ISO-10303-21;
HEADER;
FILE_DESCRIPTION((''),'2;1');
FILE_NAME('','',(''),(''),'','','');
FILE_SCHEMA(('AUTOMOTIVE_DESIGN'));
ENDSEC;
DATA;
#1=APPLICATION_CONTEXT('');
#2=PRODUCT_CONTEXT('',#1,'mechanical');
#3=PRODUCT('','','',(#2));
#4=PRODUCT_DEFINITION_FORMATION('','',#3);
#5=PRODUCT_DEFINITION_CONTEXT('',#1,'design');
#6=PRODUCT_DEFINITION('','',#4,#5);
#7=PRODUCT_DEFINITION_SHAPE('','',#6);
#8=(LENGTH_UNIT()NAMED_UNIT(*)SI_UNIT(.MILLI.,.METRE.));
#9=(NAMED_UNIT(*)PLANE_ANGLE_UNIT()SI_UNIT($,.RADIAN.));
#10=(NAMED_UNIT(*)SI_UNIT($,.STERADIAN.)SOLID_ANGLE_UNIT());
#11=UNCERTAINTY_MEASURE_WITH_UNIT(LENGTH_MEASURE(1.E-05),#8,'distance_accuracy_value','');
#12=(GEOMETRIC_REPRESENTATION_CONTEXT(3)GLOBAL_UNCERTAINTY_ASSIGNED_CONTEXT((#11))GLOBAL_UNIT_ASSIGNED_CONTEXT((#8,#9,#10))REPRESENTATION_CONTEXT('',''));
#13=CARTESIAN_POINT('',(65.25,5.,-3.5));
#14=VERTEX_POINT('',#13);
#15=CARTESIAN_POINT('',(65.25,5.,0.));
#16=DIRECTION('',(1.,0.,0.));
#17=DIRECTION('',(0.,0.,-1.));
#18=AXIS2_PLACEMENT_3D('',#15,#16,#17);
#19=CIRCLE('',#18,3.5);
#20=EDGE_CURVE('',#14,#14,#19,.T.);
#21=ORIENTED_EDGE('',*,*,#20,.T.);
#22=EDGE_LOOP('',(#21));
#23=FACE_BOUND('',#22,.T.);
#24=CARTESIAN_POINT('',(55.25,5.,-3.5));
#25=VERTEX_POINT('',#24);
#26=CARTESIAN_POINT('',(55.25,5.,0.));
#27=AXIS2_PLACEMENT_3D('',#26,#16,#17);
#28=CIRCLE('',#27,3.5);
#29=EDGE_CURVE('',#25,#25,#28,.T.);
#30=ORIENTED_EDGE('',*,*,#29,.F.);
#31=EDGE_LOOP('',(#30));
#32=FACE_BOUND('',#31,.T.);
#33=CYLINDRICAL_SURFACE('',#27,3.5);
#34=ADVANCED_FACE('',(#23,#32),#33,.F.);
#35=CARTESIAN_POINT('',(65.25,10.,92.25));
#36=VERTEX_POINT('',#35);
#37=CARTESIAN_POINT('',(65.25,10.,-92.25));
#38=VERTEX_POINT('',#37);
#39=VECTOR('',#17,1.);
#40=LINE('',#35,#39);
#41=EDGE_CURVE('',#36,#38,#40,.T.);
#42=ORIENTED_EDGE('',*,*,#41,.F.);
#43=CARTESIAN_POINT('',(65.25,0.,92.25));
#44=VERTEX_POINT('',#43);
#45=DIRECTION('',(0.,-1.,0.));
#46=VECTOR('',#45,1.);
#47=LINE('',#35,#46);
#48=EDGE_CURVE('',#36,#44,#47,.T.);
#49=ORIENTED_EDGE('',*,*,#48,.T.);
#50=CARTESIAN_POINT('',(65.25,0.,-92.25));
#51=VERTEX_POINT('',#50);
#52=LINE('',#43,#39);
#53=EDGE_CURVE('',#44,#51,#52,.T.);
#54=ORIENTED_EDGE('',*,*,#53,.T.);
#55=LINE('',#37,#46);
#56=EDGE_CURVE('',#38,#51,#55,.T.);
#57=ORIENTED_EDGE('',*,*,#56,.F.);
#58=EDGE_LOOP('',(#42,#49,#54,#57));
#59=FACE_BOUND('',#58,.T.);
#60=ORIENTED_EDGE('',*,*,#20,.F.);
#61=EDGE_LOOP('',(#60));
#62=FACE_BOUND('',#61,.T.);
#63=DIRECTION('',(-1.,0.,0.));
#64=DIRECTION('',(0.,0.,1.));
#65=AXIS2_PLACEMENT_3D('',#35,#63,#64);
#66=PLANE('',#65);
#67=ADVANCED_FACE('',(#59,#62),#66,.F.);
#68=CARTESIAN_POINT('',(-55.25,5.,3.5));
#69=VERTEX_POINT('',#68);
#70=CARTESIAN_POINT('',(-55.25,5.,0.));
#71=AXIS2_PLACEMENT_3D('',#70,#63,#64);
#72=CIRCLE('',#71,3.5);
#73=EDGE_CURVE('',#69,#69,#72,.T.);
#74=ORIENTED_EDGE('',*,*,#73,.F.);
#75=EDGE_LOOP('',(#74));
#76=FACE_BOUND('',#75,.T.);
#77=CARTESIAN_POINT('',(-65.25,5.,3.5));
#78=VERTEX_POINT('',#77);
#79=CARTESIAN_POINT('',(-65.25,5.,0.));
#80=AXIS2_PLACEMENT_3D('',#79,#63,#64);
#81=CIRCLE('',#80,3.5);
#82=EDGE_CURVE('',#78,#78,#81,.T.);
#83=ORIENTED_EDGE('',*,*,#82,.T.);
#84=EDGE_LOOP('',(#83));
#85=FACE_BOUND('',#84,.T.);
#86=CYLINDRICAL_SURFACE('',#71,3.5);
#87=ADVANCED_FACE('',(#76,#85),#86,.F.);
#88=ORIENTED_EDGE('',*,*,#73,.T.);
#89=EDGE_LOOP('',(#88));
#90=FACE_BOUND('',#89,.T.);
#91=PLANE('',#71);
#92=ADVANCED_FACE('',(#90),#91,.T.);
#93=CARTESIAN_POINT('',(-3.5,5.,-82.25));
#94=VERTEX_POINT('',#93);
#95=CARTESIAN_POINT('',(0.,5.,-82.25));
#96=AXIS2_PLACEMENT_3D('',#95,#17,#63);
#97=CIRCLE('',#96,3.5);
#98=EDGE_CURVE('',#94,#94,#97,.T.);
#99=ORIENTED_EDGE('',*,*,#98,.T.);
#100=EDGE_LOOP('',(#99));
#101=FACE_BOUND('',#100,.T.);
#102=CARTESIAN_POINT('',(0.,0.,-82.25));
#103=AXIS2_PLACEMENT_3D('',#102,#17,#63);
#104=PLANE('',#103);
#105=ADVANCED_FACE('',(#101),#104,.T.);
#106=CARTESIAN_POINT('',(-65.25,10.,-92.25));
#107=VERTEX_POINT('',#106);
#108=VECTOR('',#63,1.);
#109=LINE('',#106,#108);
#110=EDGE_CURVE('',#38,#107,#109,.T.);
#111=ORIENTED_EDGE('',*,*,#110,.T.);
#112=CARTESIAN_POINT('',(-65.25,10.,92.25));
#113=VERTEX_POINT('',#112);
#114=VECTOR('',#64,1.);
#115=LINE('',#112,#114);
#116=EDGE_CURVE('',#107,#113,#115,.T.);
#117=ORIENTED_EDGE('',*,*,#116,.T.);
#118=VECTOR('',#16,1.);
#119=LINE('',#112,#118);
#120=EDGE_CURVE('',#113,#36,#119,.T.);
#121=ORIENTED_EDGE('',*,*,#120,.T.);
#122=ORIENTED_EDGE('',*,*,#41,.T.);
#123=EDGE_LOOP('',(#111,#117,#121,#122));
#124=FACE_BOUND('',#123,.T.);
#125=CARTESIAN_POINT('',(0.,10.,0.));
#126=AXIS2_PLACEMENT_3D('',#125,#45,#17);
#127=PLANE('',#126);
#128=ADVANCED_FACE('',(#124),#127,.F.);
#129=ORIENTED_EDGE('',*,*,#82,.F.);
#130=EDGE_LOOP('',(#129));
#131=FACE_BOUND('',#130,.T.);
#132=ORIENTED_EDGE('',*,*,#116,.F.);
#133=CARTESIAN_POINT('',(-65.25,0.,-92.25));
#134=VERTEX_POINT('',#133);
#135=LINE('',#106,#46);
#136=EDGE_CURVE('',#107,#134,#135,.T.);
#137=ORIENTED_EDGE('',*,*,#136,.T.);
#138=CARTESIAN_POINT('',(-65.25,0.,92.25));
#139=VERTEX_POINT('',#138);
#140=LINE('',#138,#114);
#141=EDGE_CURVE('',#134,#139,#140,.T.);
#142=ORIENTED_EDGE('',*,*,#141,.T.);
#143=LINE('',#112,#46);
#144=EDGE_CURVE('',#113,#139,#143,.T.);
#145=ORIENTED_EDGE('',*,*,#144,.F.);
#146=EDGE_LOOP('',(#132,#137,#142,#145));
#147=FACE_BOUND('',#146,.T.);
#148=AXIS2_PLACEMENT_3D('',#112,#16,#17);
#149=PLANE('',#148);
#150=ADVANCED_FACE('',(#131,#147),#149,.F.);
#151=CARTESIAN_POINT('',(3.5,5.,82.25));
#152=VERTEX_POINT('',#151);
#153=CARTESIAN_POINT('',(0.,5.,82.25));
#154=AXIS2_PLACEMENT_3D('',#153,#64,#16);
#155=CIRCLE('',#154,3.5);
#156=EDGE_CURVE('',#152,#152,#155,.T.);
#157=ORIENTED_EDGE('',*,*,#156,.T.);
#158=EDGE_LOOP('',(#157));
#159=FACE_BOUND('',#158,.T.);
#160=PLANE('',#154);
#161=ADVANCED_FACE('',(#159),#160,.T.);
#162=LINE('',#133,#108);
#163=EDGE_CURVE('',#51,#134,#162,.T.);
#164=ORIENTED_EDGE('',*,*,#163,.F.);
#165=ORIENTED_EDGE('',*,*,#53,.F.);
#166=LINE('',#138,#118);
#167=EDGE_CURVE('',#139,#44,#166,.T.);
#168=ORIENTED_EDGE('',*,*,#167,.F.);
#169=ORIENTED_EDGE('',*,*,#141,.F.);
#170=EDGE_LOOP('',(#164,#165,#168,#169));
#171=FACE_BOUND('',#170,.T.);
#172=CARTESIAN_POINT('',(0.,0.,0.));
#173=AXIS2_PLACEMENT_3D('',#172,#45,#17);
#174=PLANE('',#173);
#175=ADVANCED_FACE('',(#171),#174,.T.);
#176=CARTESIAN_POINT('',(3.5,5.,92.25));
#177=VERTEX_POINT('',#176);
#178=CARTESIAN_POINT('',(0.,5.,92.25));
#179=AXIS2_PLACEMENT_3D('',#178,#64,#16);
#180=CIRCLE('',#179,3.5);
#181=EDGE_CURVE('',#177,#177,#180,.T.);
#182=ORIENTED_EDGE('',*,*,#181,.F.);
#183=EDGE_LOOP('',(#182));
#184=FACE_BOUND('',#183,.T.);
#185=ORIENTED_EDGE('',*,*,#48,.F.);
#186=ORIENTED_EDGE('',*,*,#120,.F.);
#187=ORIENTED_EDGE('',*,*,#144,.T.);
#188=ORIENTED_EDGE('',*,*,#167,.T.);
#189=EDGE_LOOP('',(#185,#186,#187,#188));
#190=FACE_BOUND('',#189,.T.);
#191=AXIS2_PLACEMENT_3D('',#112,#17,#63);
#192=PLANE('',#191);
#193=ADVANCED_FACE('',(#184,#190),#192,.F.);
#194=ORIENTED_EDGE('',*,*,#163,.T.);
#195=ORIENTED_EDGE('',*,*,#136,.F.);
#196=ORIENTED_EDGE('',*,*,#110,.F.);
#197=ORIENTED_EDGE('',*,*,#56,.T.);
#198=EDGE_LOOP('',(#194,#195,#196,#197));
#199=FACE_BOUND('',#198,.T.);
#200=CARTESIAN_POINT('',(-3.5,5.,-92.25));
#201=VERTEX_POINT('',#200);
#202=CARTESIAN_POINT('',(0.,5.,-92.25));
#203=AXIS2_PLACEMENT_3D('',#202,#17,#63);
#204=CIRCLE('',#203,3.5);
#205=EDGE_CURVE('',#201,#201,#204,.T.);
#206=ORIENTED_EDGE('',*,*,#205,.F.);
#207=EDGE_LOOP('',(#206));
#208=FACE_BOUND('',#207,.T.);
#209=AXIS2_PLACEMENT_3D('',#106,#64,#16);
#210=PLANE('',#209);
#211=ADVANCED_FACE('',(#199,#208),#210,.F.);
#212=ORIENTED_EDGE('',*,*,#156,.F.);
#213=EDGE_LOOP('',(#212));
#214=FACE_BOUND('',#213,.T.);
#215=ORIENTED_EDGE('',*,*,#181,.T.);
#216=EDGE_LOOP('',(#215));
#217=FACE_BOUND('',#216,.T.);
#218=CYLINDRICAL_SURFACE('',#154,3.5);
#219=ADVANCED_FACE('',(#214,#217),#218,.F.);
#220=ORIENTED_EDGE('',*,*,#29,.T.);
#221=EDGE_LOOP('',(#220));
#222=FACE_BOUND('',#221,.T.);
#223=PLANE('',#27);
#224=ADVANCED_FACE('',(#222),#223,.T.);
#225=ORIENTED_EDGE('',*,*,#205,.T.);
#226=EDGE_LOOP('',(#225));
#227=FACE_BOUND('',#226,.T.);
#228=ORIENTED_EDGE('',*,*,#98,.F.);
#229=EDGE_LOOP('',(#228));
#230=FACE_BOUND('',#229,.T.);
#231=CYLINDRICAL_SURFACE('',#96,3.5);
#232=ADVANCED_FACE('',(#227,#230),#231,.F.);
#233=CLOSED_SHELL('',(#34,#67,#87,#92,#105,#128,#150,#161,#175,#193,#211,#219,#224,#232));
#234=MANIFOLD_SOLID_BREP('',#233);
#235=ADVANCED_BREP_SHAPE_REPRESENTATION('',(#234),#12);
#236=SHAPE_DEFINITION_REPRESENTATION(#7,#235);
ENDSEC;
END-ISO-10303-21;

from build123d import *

# Parameters (mm, degrees)
SKETCH_1_W          = 130.5
SKETCH_1_H          = 184.5
EXTRUDE_1_DEPTH     = 10
SKETCH_2_R          = 3.5
CUT_EXTRUDE_1_DEPTH = 10
SKETCH_3_R          = 3.5
CUT_EXTRUDE_2_DEPTH = 10
CUT_EXTRUDE_3_DEPTH = 10
SKETCH_5_R          = 3.5
CUT_EXTRUDE_4_DEPTH = 10


with BuildPart() as part:
    # 草图1 → 凸台-拉伸1 (new body)
    with BuildSketch(Plane(origin=(0, 0, 0), x_dir=(1, 0, 0), z_dir=(0, 1, 0))):
        Rectangle(SKETCH_1_W, SKETCH_1_H)
    extrude(amount=EXTRUDE_1_DEPTH)

    # 草图2 → 切除-拉伸1 (cut)
    with BuildSketch(Plane.XY.offset(92.25)):
        with Locations((0, 5)):
            Circle(SKETCH_2_R)
    extrude(amount=-CUT_EXTRUDE_1_DEPTH, mode=Mode.SUBTRACT)

    # 草图3 → 切除-拉伸2 (cut)
    with BuildSketch(Plane(origin=(65.25, 0, 0), x_dir=(0, 0, -1), z_dir=(1, 0, 0))):
        with Locations((0, 5)):
            Circle(SKETCH_3_R)
    extrude(amount=-CUT_EXTRUDE_2_DEPTH, mode=Mode.SUBTRACT)

    # 草图4 → 切除-拉伸3 (cut)
    with BuildSketch(Plane(origin=(0, 0, -92.25), x_dir=(-1, 0, 0), z_dir=(0, 0, -1))):
        with BuildLine():
            ThreePointArc((3.489769201, 5.267415264), (0, 8.5), (-3.489769201, 5.267415264))
            Line((-3.489769201, 5.267415264), (0, 5))
            Line((0, 5), (3.489769201, 5.267415264))
        make_face()
        with BuildLine():
            Line((0, 5), (-3.489769201, 5.267415264))
            ThreePointArc((-3.489769201, 5.267415264), (-3.5, 5), (-3.489769201, 4.732584736))
            Line((-3.489769201, 4.732584736), (0, 5))
        make_face()
        with BuildLine():
            Line((3.489769201, 5.267415264), (0, 5))
            Line((0, 5), (3.489769201, 4.732584736))
            ThreePointArc((3.489769201, 4.732584736), (3.497441365, 4.866194551), (3.5, 5))
            ThreePointArc((3.5, 5), (3.497441365, 5.133805449), (3.489769201, 5.267415264))
        make_face()
        with BuildLine():
            Line((3.489769201, 4.732584736), (0, 5))
            Line((0, 5), (-3.489769201, 4.732584736))
            ThreePointArc((-3.489769201, 4.732584736), (0, 1.5), (3.489769201, 4.732584736))
        make_face()
    extrude(amount=-CUT_EXTRUDE_3_DEPTH, mode=Mode.SUBTRACT)

    # 草图5 → 切除-拉伸4 (cut)
    with BuildSketch(Plane.ZY.offset(65.25)):
        with Locations((0, 5)):
            Circle(SKETCH_5_R)
    extrude(amount=-CUT_EXTRUDE_4_DEPTH, mode=Mode.SUBTRACT)


solid = part.part
